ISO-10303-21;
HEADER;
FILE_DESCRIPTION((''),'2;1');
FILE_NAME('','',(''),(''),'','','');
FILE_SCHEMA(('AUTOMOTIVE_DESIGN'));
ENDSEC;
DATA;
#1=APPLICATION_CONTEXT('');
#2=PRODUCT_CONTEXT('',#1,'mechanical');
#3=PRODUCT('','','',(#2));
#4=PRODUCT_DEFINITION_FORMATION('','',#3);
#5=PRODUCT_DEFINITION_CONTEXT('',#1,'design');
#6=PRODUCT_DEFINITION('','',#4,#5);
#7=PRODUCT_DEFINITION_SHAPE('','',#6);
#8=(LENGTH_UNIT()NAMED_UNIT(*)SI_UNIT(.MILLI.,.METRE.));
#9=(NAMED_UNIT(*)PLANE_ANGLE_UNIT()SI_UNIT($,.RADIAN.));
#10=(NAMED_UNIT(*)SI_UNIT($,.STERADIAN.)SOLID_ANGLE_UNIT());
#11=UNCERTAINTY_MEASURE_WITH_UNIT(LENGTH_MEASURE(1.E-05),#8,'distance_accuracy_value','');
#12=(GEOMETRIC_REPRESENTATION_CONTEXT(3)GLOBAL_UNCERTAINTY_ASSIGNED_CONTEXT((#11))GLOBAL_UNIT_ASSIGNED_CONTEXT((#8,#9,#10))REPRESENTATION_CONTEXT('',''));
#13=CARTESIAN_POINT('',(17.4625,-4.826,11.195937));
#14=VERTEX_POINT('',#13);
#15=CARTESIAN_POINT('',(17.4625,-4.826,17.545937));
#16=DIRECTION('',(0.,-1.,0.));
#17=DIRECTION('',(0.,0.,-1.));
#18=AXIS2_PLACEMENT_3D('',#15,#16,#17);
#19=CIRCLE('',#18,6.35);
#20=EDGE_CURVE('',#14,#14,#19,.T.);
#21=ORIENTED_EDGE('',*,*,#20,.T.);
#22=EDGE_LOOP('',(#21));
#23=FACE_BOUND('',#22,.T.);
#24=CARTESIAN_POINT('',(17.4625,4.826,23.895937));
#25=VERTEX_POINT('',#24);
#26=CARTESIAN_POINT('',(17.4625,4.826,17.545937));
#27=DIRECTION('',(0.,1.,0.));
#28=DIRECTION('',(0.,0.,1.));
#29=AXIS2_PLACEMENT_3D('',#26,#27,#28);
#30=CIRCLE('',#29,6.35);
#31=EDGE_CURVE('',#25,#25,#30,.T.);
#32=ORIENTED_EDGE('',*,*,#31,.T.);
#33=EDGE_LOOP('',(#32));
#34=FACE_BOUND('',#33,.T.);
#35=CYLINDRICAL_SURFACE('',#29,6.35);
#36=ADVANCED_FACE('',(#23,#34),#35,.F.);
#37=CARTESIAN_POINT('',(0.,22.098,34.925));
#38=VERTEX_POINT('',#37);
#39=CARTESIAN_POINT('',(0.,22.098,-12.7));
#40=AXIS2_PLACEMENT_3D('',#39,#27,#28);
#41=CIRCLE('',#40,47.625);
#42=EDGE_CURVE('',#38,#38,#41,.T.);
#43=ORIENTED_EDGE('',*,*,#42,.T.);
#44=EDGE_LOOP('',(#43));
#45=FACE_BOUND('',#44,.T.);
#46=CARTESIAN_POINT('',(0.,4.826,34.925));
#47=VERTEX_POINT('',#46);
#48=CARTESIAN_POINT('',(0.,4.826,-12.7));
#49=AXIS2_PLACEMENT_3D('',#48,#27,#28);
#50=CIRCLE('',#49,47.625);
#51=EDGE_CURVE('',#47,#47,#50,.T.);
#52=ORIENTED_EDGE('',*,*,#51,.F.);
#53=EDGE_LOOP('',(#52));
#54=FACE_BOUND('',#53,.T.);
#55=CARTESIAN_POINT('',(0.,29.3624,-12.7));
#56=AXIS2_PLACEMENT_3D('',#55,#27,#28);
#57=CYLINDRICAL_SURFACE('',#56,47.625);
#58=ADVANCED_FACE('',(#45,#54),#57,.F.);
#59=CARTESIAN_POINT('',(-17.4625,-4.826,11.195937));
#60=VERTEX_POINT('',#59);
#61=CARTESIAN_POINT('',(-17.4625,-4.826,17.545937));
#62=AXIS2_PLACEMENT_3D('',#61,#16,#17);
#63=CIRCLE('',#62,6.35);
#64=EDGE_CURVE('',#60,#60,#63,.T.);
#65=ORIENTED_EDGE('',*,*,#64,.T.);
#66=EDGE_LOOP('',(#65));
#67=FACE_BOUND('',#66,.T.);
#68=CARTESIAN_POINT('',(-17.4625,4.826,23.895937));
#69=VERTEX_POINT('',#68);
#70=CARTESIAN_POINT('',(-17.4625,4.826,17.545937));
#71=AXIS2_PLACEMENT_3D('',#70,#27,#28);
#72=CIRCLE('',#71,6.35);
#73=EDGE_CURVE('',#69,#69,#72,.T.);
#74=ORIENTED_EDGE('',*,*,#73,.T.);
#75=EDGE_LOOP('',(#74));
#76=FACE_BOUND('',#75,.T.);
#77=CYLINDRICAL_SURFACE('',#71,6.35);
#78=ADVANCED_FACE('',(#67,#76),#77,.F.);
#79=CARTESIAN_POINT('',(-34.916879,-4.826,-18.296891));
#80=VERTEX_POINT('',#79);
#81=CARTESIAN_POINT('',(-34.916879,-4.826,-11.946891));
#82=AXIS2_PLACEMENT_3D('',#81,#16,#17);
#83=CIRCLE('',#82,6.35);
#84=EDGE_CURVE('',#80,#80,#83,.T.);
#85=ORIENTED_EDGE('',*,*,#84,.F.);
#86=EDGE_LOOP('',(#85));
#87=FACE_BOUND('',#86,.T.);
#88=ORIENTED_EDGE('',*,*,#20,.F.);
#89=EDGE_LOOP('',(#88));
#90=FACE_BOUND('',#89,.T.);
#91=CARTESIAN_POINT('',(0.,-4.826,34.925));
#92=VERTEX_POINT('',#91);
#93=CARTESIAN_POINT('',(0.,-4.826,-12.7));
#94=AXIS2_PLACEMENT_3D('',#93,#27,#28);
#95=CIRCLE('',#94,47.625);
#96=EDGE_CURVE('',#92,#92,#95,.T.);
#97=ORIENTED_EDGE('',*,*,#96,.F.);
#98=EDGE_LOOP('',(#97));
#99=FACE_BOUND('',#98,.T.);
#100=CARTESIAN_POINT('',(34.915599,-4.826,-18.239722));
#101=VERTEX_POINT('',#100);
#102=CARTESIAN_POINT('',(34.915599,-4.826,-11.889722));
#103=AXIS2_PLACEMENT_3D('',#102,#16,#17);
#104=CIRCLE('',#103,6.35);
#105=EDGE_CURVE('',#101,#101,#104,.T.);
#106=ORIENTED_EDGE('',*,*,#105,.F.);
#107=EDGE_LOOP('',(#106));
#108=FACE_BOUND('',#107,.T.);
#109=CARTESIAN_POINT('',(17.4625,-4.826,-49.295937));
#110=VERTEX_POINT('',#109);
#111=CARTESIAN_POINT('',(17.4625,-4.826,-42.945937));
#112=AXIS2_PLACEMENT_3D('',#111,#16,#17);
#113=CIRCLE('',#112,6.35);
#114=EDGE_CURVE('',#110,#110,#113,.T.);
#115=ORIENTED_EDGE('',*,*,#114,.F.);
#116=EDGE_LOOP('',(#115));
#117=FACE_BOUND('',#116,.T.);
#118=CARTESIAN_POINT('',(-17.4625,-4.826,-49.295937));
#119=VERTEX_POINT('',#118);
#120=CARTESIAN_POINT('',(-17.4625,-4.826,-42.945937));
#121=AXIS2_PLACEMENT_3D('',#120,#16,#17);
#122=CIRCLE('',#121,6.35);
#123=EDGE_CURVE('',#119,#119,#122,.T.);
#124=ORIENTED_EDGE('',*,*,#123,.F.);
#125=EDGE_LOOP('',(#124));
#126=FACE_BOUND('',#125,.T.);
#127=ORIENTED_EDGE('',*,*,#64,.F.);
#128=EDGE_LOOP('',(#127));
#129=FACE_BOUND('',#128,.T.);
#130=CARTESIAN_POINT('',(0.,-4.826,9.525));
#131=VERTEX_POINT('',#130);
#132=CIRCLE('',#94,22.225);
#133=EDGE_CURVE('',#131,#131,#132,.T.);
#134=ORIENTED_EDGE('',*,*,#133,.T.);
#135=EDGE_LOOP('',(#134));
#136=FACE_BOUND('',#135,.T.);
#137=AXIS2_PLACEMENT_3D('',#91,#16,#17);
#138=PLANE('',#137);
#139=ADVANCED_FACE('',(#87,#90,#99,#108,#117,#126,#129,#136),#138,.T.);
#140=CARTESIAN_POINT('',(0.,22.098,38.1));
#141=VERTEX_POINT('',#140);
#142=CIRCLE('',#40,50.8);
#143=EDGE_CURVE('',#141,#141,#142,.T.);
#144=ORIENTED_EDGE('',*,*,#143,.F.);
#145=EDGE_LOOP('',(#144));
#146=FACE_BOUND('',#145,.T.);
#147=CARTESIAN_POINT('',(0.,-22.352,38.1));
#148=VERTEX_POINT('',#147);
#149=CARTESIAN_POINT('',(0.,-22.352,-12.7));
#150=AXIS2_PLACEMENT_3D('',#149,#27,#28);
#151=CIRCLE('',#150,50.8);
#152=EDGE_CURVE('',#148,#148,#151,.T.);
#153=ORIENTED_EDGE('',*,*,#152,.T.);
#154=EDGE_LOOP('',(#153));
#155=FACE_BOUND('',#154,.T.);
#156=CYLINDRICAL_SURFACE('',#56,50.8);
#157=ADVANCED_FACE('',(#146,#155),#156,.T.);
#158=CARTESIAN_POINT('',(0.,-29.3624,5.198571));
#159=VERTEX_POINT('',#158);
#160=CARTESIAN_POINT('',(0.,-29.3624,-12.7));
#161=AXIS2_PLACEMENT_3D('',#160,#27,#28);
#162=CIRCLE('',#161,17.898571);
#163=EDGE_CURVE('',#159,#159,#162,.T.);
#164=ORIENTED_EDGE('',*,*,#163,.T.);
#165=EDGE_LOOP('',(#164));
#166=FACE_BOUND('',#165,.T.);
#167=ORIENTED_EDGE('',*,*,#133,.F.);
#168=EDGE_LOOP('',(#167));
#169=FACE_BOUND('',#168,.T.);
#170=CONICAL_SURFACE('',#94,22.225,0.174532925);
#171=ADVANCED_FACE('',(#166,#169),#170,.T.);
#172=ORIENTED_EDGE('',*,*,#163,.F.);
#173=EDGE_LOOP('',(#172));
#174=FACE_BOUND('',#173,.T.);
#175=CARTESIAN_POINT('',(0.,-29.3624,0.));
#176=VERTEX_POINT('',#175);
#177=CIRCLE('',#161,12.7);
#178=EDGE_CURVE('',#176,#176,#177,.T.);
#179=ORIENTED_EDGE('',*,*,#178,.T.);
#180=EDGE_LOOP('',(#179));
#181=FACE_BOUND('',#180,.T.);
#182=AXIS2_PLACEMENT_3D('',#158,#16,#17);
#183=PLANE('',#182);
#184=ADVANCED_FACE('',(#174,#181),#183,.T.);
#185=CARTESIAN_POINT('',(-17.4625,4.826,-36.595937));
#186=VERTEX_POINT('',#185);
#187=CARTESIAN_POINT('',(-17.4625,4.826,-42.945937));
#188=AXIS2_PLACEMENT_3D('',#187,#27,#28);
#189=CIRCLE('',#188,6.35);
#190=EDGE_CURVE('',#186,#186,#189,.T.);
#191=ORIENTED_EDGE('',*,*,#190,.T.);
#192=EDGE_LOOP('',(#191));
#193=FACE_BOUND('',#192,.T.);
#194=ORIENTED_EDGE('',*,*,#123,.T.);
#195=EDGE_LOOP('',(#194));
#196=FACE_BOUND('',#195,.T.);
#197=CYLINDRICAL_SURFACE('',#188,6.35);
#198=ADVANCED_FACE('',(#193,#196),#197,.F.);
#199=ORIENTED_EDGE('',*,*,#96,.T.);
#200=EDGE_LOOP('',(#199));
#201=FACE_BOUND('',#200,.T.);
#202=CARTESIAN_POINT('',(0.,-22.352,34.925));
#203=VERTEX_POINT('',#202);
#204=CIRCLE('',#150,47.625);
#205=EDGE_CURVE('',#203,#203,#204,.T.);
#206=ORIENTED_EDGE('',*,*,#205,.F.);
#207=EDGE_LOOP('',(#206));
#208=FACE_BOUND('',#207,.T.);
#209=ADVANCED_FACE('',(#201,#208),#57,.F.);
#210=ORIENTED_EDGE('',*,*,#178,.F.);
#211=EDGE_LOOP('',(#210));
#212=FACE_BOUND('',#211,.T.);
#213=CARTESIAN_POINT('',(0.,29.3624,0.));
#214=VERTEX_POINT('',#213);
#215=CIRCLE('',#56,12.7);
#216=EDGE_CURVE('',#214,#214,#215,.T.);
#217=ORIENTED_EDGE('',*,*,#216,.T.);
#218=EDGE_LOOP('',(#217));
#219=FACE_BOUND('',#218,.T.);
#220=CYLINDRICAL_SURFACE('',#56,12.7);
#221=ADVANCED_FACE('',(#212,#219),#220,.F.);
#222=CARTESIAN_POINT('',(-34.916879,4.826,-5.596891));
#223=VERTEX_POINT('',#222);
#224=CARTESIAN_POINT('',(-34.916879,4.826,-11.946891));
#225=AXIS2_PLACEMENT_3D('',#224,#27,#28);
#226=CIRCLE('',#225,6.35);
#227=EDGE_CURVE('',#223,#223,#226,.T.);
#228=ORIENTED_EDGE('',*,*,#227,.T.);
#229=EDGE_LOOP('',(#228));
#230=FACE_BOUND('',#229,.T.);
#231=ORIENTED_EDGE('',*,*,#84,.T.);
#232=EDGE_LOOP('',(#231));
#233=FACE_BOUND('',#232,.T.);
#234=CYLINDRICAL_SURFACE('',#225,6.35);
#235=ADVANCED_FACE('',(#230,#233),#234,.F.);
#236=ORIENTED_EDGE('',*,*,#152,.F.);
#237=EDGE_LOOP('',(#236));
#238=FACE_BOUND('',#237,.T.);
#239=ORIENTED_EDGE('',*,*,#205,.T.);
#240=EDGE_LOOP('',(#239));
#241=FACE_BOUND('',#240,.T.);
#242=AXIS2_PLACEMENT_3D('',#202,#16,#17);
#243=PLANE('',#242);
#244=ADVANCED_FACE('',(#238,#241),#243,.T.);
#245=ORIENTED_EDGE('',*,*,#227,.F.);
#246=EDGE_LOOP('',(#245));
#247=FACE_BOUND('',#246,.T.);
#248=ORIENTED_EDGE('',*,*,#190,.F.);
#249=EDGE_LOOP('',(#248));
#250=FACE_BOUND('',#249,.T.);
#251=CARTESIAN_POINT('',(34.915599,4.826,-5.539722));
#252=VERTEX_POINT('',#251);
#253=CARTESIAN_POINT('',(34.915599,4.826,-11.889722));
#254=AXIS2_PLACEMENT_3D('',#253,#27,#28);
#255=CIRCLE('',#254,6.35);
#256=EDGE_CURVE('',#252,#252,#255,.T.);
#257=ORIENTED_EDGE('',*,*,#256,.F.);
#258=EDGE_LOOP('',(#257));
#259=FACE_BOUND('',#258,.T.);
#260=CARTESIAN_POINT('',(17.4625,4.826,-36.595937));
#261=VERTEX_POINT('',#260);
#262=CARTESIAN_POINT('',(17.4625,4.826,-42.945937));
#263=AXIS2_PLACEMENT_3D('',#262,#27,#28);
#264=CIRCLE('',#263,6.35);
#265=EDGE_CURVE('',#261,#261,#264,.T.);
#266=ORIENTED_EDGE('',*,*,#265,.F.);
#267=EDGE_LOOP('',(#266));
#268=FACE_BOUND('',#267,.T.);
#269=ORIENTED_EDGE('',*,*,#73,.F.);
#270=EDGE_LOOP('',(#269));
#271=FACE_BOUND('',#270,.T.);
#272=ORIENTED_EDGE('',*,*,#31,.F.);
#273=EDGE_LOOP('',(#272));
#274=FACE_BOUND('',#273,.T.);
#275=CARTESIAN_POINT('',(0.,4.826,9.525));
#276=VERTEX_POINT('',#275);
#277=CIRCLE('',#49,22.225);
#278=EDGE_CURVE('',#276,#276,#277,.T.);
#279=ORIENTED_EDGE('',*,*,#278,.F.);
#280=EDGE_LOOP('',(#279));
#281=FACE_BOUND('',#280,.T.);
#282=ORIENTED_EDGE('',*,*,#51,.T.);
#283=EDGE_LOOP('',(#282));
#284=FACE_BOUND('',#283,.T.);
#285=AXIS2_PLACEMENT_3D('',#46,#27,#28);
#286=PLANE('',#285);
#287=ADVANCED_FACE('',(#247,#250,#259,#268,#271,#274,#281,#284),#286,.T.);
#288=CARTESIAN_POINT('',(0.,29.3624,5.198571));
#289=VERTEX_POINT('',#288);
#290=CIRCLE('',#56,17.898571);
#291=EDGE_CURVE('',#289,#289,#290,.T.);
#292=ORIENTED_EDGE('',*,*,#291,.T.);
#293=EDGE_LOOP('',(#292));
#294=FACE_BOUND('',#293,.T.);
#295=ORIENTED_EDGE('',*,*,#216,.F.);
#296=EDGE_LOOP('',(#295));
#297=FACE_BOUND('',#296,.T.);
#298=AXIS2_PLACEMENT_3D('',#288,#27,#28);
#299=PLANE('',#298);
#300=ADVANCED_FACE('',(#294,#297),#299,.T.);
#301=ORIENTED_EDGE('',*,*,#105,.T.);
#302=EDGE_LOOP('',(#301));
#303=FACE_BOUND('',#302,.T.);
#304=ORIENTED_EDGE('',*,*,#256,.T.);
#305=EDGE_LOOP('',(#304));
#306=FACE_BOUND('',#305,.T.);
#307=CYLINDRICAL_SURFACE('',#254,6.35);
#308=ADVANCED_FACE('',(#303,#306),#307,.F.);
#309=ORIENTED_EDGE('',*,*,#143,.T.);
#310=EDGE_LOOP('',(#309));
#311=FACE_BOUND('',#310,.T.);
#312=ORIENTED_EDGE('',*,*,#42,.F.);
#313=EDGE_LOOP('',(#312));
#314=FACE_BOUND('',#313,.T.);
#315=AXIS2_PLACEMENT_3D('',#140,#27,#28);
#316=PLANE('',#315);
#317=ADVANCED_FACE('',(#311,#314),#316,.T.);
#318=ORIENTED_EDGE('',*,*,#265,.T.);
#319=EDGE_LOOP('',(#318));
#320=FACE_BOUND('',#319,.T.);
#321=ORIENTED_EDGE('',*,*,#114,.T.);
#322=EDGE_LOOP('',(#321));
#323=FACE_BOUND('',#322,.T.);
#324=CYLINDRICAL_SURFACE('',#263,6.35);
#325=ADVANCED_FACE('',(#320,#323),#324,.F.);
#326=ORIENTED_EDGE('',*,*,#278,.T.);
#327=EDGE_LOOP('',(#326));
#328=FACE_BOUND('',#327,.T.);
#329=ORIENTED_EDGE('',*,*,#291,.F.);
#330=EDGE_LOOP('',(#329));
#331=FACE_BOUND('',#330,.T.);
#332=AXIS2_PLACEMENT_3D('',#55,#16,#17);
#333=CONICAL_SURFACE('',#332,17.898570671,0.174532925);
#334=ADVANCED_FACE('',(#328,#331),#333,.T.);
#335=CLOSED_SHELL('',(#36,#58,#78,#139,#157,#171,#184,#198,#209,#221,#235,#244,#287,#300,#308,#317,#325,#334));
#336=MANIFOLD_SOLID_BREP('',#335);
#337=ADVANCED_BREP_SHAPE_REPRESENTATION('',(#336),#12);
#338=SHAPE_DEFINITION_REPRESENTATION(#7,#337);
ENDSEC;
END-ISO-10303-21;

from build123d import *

# Parameters (mm, degrees)
F_1_4_0_5_DIAMETER_HOLE2_D = 12.7


with BuildPart() as part:
    # Sketch1 → Revolve3 (revolve)
    with BuildSketch(Plane(origin=(0, 0, 0), x_dir=(0, 0, -1), z_dir=(1, 0, 0))):
        Polygon((-38.1, 0), (-38.1, 22.098), (-34.925, 22.098), (-34.925, 4.826), (-9.525, 4.826), (-5.198570671, 29.3624), (0, 29.3624), (0, -29.3624), (-5.198570671, -29.3624), (-9.525, -4.826), (-34.925, -4.826), (-34.925, -22.352), (-38.1, -22.352), align=None)
    revolve(axis=Axis((0, 29.3624, -12.7), (0, -1, 0)))

    # 1/4 (0.5) Diameter Hole2 (through all)
    with Locations(Plane(origin=(0, 4.826, 0), x_dir=(1, 0, 0), z_dir=(0, 1, 0))):
        with Locations((-17.4625, 42.945937227), (17.4625, 42.945937227), (34.91559931, 11.889722379), (17.4625, -17.545937227), (-17.4625, -17.545937227), (-34.916879179, 11.946890841)):
            Hole(F_1_4_0_5_DIAMETER_HOLE2_D / 2)


solid = part.part
